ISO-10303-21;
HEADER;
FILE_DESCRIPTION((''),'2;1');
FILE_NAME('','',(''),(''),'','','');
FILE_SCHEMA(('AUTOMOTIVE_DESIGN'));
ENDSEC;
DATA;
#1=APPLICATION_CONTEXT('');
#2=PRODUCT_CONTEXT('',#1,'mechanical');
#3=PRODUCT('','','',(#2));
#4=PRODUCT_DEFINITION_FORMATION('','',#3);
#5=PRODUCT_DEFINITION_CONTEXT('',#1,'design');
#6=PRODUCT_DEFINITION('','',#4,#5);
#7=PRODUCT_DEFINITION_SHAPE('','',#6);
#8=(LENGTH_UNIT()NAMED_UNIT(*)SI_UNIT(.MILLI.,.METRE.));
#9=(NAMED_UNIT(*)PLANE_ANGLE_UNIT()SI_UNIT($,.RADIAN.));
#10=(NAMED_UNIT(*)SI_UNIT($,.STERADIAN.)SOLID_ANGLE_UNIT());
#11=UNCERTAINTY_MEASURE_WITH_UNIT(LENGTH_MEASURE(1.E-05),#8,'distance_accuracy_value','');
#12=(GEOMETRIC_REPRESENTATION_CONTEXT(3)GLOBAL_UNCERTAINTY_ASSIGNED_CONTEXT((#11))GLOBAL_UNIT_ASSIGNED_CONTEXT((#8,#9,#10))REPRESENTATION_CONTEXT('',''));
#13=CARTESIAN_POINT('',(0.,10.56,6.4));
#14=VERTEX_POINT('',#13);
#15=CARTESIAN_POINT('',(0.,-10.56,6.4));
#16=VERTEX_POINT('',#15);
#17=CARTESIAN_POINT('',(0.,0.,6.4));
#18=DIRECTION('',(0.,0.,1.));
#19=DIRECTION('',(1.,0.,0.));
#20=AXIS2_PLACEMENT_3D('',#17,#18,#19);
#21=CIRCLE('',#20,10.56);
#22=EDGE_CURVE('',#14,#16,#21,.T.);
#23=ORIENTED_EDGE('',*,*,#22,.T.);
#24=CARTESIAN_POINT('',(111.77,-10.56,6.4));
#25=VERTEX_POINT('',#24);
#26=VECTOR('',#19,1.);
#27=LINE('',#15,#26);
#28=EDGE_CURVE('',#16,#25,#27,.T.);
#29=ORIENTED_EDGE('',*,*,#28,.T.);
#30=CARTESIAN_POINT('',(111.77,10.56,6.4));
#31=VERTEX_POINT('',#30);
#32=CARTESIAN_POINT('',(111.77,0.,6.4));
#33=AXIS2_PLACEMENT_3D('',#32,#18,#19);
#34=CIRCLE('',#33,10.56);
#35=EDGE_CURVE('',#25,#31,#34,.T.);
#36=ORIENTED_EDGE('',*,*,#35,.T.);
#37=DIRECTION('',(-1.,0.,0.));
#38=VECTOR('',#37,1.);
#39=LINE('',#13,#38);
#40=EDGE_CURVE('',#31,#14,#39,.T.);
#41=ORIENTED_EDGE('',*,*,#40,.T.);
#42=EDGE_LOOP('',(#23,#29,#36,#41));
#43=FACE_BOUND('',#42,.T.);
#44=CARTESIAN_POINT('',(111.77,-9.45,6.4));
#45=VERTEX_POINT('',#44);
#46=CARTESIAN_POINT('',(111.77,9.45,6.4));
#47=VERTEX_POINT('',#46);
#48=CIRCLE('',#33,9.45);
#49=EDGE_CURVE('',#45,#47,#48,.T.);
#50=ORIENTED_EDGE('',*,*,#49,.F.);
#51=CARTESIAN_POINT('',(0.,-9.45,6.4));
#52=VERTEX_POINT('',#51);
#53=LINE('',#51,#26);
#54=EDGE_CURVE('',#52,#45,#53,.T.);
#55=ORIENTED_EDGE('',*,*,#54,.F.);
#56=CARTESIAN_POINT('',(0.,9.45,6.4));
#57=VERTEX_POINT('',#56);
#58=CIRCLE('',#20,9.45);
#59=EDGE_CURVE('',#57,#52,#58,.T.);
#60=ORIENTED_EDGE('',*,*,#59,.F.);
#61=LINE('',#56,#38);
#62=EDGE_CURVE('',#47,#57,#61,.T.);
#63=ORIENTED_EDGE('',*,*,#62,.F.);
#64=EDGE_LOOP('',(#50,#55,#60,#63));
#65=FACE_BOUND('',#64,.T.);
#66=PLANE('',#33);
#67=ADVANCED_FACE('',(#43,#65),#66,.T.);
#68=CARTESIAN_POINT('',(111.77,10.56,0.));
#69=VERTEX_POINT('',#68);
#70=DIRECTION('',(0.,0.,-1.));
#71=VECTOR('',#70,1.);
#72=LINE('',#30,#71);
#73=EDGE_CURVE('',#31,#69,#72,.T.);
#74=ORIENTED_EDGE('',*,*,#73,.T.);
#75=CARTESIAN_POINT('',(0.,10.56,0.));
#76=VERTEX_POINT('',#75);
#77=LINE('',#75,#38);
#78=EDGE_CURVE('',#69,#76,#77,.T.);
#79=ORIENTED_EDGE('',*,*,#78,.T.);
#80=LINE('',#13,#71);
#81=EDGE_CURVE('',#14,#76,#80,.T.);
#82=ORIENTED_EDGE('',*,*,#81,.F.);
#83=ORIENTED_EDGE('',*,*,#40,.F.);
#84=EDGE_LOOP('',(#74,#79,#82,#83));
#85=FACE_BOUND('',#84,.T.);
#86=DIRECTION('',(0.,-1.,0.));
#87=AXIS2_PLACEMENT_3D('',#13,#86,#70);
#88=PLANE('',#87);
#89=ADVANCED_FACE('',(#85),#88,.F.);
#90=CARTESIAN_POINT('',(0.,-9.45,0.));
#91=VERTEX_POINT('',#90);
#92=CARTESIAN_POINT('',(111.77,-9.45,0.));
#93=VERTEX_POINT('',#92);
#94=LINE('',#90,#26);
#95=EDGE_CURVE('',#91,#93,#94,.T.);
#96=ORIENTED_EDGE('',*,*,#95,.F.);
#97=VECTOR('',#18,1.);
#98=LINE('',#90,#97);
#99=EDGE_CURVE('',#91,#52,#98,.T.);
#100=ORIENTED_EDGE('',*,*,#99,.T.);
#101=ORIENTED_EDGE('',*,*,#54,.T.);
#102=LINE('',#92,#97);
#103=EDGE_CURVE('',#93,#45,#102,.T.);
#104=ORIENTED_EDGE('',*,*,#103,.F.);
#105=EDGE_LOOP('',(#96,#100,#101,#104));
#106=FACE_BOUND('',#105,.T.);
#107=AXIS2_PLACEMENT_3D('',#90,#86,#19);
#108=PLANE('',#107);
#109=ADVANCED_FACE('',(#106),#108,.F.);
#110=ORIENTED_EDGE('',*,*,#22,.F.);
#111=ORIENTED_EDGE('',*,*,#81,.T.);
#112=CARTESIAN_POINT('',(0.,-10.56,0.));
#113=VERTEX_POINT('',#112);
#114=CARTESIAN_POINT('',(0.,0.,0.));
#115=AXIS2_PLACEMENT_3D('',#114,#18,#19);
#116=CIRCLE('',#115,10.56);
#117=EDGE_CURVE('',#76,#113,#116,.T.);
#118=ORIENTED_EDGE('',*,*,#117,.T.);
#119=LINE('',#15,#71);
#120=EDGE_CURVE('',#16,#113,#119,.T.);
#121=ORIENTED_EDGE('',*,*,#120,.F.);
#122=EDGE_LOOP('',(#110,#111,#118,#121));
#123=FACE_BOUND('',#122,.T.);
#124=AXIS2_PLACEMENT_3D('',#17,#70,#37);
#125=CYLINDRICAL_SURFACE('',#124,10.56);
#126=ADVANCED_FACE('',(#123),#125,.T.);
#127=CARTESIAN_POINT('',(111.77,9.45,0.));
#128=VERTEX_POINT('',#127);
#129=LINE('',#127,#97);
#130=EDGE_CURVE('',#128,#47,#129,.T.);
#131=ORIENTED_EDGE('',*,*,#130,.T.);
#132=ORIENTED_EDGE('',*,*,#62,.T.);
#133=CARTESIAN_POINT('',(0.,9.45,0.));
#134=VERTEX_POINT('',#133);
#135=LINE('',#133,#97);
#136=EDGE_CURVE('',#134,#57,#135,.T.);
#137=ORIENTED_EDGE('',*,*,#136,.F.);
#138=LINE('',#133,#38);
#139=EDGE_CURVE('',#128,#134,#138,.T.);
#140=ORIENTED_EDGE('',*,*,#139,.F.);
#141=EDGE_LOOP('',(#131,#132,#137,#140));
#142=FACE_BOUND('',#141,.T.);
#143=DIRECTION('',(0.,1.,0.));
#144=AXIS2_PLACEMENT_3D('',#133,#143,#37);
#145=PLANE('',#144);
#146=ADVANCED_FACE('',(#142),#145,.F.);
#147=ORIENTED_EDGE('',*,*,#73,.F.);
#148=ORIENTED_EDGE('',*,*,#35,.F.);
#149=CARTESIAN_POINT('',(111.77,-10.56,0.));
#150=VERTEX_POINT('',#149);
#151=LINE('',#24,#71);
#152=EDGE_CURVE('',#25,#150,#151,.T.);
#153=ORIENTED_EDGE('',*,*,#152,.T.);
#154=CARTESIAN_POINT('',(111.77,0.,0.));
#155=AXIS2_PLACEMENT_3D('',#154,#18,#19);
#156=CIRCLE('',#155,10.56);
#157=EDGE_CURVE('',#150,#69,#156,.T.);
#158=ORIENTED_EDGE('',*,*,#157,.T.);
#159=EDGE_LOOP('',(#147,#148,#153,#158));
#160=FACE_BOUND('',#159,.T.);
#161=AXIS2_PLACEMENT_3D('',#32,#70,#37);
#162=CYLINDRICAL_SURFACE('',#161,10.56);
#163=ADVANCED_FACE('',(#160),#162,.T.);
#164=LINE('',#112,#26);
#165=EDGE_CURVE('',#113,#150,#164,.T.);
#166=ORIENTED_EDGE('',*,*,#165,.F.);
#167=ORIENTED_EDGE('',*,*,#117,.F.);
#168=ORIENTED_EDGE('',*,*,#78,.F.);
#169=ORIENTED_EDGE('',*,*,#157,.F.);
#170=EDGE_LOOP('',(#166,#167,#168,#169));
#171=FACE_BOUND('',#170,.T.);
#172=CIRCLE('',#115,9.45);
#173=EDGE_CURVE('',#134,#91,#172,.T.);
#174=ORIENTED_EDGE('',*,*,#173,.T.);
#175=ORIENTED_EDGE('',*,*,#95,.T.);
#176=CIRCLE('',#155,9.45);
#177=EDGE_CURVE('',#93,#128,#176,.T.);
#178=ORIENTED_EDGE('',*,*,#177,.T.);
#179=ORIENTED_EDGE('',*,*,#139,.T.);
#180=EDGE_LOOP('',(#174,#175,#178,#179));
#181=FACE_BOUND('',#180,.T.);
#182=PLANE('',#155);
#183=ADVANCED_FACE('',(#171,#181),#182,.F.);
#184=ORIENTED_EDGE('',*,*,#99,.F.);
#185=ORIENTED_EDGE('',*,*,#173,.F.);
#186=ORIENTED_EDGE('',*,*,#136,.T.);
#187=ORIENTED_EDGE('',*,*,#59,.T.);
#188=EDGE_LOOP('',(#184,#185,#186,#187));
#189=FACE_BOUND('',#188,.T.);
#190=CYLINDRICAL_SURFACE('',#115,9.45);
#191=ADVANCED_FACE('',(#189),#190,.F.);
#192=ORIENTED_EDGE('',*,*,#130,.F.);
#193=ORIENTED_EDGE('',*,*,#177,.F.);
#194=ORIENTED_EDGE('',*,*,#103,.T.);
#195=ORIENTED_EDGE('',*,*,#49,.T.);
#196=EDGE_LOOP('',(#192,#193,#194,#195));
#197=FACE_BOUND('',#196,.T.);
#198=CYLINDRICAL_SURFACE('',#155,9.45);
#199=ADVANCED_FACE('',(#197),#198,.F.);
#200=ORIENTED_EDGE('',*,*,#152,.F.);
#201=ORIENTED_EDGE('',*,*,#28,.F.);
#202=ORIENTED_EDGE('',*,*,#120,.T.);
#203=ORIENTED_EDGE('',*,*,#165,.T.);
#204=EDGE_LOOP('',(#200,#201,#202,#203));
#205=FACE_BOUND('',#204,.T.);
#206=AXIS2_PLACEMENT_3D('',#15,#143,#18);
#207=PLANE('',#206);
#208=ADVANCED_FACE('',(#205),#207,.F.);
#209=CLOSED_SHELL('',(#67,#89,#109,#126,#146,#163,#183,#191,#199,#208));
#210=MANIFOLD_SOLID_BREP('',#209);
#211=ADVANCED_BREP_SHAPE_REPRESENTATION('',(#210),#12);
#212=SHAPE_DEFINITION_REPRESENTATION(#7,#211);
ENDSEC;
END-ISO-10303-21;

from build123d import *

# Parameters (mm, degrees)
BOSS_EXTRUDE1_DEPTH = 6.4
CUT_EXTRUDE1_DEPTH  = 123.951626667


with BuildPart() as part:
    # Sketch1 → Boss-Extrude1 (new body)
    with BuildSketch(Plane.XY):
        with BuildLine():
            Line((0, 10.56), (111.77, 10.56))
            ThreePointArc((111.77, 10.56), (122.33, 0), (111.77, -10.56))
            Line((111.77, -10.56), (0, -10.56))
            ThreePointArc((0, -10.56), (-10.56, 0), (0, 10.56))
        make_face()
    extrude(amount=BOSS_EXTRUDE1_DEPTH)

    # Sketch2 → Cut-Extrude1 (cut, through all)
    with BuildSketch(Plane.XY.offset(6.4)):
        with BuildLine():
            Line((0, 9.45), (111.77, 9.45))
            ThreePointArc((111.77, 9.45), (121.22, 0), (111.77, -9.45))
            Line((111.77, -9.45), (0, -9.45))
            ThreePointArc((0, -9.45), (-9.45, 0), (0, 9.45))
        make_face()
    extrude(amount=-CUT_EXTRUDE1_DEPTH, mode=Mode.SUBTRACT)


solid = part.part
